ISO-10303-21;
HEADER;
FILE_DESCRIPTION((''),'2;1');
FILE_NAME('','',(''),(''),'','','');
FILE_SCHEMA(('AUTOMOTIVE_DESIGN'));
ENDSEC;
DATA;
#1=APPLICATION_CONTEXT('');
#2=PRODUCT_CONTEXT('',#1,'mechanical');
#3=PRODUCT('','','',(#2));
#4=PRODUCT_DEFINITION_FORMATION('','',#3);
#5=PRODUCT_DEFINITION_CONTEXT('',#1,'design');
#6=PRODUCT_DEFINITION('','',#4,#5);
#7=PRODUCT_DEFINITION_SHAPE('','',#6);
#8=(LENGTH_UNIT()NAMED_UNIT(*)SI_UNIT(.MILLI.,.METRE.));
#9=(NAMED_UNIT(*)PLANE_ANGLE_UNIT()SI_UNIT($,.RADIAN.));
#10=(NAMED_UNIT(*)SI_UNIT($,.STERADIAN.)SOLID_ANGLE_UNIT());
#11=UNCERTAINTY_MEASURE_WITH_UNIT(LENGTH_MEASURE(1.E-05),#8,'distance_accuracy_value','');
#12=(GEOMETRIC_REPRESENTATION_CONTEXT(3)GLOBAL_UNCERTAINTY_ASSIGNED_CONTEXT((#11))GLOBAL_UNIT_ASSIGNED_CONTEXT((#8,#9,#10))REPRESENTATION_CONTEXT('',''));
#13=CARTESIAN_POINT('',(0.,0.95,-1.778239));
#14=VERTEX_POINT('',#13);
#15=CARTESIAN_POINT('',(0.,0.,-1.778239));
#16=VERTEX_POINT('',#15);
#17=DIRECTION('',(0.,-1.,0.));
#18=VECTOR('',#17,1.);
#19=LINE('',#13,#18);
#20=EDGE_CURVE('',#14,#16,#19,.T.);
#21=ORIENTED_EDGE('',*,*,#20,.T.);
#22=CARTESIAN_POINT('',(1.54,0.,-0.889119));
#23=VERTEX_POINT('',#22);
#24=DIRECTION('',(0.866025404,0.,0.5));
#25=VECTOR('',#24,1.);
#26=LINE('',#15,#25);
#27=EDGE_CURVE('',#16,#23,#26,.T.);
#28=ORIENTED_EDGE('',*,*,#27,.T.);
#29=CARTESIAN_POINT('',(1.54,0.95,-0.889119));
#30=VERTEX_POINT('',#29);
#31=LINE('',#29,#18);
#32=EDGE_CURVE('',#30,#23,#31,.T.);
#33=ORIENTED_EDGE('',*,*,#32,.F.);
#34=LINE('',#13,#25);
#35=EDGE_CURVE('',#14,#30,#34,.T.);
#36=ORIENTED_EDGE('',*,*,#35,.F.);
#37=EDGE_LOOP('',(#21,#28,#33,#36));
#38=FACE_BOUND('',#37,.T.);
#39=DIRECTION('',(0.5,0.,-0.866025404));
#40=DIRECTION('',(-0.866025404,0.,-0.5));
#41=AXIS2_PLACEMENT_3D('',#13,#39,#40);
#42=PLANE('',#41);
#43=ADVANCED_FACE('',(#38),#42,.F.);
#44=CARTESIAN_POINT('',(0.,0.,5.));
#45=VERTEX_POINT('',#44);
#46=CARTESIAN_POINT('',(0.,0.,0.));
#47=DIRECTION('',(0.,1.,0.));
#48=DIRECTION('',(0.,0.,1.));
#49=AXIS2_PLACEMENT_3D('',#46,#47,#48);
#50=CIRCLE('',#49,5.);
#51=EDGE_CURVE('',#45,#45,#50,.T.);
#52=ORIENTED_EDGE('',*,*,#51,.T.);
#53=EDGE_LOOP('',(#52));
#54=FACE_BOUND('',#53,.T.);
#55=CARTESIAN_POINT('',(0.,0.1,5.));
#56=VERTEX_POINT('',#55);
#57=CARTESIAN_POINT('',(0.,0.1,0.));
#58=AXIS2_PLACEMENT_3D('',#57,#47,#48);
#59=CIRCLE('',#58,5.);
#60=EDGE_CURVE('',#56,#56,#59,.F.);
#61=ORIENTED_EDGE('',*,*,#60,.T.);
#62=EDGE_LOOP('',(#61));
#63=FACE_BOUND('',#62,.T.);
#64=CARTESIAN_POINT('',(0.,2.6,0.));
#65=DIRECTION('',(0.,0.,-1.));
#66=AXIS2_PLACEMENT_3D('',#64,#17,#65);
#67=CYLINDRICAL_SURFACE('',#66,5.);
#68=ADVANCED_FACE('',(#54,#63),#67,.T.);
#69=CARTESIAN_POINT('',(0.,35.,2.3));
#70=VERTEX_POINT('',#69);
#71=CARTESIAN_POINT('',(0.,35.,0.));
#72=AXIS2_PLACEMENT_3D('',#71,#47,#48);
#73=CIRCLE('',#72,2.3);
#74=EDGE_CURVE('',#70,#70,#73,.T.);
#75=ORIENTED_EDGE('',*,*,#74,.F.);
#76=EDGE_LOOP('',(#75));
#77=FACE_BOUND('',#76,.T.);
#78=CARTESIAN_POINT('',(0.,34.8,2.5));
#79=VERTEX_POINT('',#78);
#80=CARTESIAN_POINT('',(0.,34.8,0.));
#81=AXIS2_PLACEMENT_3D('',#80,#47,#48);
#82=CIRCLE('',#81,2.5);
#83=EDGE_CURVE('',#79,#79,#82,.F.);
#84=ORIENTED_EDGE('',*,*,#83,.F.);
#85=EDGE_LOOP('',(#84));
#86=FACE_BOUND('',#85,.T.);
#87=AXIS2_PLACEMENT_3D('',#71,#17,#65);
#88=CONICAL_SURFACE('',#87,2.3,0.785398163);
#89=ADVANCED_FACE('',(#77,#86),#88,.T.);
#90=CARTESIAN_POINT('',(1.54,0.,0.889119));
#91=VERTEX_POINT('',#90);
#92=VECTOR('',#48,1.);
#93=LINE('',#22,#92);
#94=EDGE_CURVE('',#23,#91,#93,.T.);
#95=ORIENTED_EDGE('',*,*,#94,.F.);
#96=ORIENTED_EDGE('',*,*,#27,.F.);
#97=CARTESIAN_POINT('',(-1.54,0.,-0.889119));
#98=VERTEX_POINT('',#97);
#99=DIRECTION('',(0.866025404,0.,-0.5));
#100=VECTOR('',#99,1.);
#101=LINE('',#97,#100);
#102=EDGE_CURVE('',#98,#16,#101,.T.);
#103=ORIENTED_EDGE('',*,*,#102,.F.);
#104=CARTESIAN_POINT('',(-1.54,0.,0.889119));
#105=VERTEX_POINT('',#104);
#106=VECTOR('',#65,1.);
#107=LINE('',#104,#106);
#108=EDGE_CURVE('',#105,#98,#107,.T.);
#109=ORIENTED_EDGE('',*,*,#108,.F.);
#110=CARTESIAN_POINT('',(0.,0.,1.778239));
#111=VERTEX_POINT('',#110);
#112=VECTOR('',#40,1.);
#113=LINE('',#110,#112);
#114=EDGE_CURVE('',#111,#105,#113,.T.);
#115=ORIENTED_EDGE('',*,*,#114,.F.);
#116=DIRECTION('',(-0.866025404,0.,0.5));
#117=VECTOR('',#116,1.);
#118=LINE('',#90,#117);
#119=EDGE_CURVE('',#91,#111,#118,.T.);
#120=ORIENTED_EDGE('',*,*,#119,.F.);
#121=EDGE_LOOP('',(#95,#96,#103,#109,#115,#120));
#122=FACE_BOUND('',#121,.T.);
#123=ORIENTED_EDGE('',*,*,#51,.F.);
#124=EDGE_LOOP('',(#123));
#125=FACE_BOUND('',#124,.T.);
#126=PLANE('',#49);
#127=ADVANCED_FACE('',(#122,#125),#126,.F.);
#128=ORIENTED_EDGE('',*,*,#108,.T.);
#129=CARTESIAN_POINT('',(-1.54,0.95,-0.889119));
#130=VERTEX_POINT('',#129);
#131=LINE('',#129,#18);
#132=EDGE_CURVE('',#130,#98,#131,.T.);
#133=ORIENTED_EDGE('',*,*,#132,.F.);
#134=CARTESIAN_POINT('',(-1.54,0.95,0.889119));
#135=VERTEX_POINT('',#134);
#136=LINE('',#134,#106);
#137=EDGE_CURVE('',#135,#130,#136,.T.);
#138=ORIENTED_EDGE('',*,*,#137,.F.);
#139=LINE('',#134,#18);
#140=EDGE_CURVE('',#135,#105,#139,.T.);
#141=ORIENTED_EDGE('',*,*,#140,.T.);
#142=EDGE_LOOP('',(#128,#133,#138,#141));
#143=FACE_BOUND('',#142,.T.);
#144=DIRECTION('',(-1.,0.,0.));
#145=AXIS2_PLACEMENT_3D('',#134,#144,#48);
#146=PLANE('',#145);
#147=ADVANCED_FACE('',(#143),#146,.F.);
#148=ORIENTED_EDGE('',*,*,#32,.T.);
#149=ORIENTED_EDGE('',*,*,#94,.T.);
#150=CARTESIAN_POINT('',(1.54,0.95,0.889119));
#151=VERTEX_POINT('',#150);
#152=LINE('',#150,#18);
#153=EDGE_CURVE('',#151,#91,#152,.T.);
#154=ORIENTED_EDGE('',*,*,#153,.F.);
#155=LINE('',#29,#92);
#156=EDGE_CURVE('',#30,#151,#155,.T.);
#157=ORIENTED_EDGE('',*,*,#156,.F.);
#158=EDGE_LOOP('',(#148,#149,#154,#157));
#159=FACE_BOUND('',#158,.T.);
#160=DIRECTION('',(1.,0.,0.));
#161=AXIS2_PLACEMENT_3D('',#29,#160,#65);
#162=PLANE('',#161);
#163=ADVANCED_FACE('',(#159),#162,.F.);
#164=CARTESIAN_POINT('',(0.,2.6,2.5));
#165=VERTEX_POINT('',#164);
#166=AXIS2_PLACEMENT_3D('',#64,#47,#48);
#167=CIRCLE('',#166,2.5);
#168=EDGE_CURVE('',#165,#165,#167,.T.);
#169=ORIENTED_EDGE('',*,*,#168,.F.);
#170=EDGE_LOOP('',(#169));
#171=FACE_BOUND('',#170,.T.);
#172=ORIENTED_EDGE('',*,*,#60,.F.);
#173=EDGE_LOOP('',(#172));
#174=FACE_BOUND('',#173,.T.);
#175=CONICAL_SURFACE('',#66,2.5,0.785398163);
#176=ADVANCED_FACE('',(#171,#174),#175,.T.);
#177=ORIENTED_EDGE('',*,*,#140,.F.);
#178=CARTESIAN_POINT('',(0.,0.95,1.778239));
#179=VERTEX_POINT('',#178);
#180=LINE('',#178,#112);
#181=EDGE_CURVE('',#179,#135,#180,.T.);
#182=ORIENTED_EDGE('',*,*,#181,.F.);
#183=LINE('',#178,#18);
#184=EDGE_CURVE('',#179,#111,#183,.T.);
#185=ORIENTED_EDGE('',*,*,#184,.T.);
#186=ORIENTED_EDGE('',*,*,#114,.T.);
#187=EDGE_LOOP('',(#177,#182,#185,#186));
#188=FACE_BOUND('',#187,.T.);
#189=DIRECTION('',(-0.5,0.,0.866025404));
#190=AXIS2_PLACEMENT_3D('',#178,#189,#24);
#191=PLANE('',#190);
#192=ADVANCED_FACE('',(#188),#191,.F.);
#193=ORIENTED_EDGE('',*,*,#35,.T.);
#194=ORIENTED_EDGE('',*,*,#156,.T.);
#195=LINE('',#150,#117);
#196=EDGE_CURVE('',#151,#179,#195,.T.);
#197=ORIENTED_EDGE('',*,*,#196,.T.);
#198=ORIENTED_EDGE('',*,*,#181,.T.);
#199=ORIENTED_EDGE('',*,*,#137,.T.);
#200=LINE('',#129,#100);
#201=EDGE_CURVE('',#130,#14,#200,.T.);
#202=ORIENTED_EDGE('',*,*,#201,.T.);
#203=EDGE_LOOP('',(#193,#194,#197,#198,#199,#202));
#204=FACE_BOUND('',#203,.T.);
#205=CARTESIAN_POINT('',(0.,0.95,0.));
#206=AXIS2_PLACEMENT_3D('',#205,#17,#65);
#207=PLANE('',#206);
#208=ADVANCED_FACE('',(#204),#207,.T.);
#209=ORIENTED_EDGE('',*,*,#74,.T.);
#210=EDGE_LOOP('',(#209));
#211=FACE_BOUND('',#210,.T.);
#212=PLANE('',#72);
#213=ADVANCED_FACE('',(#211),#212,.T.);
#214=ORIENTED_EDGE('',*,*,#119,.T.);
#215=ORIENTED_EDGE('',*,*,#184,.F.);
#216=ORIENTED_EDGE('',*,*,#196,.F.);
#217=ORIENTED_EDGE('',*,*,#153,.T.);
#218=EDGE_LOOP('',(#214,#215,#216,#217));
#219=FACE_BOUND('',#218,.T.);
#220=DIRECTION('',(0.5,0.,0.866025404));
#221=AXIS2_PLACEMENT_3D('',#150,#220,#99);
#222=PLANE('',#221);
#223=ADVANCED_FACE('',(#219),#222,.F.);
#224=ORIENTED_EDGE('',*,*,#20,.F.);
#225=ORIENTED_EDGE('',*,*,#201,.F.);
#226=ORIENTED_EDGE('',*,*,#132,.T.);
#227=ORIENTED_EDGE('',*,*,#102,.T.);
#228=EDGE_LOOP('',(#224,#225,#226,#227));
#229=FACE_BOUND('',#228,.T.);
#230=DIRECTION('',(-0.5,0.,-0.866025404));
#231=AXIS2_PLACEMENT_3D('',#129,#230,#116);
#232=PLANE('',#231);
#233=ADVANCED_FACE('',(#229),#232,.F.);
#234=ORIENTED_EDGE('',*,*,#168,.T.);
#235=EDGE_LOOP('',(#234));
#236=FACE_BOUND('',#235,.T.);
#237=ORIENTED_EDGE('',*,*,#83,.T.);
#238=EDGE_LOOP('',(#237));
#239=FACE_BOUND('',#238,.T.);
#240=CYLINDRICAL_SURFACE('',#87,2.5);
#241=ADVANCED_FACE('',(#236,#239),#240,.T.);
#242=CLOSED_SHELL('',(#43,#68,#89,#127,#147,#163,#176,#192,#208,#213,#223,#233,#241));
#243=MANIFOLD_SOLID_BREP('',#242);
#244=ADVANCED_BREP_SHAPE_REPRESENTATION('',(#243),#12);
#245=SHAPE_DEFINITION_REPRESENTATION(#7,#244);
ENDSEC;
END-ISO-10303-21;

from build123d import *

# Parameters (mm, degrees)
SKETCH_1_R          = 5
EXTRUDE_1_DEPTH     = 2.6
CHAMFER_1_SIZE      = 2.5
CUT_EXTRUDE_1_DEPTH = 0.95
SKETCH_3_R          = 2.5
EXTRUDE_2_DEPTH     = 32.4
CHAMFER_2_SIZE      = 0.2


with BuildPart() as part:
    # 草图1 → 凸台-拉伸1 (new body)
    with BuildSketch(Plane(origin=(0, 0, 0), x_dir=(1, 0, 0), z_dir=(0, 1, 0))):
        with Locations(Location((0, 0, 0), (0, 0, 270))):
            Circle(SKETCH_1_R)
    extrude(amount=EXTRUDE_1_DEPTH)

    # 倒角1
    chamfer_1_edges = [part.edges().sort_by_distance(p)[0] for p in [
        (0, 2.6, -5),
    ]]
    chamfer(chamfer_1_edges, length=CHAMFER_1_SIZE)

    # 草图2 → 切除-拉伸1 (cut)
    with BuildSketch(Plane.XZ):
        Polygon((1.54, -0.889119415), (1.54, 0.889119415), (0, 1.778238829), (-1.54, 0.889119415), (-1.54, -0.889119415), (0, -1.778238829), align=None)
    extrude(amount=-CUT_EXTRUDE_1_DEPTH, mode=Mode.SUBTRACT)

    # 草图3 → 凸台-拉伸2 (add)
    with BuildSketch(Plane(origin=(0, 2.6, 0), x_dir=(1, 0, 0), z_dir=(0, 1, 0))):
        with Locations(Location((0, 0, 0), (0, 0, 270))):
            Circle(SKETCH_3_R)
    extrude(amount=EXTRUDE_2_DEPTH)

    # 倒角2
    chamfer_2_edges = [part.edges().sort_by_distance(p)[0] for p in [
        (0, 35, -2.5),
    ]]
    chamfer(chamfer_2_edges, length=CHAMFER_2_SIZE)


solid = part.part
